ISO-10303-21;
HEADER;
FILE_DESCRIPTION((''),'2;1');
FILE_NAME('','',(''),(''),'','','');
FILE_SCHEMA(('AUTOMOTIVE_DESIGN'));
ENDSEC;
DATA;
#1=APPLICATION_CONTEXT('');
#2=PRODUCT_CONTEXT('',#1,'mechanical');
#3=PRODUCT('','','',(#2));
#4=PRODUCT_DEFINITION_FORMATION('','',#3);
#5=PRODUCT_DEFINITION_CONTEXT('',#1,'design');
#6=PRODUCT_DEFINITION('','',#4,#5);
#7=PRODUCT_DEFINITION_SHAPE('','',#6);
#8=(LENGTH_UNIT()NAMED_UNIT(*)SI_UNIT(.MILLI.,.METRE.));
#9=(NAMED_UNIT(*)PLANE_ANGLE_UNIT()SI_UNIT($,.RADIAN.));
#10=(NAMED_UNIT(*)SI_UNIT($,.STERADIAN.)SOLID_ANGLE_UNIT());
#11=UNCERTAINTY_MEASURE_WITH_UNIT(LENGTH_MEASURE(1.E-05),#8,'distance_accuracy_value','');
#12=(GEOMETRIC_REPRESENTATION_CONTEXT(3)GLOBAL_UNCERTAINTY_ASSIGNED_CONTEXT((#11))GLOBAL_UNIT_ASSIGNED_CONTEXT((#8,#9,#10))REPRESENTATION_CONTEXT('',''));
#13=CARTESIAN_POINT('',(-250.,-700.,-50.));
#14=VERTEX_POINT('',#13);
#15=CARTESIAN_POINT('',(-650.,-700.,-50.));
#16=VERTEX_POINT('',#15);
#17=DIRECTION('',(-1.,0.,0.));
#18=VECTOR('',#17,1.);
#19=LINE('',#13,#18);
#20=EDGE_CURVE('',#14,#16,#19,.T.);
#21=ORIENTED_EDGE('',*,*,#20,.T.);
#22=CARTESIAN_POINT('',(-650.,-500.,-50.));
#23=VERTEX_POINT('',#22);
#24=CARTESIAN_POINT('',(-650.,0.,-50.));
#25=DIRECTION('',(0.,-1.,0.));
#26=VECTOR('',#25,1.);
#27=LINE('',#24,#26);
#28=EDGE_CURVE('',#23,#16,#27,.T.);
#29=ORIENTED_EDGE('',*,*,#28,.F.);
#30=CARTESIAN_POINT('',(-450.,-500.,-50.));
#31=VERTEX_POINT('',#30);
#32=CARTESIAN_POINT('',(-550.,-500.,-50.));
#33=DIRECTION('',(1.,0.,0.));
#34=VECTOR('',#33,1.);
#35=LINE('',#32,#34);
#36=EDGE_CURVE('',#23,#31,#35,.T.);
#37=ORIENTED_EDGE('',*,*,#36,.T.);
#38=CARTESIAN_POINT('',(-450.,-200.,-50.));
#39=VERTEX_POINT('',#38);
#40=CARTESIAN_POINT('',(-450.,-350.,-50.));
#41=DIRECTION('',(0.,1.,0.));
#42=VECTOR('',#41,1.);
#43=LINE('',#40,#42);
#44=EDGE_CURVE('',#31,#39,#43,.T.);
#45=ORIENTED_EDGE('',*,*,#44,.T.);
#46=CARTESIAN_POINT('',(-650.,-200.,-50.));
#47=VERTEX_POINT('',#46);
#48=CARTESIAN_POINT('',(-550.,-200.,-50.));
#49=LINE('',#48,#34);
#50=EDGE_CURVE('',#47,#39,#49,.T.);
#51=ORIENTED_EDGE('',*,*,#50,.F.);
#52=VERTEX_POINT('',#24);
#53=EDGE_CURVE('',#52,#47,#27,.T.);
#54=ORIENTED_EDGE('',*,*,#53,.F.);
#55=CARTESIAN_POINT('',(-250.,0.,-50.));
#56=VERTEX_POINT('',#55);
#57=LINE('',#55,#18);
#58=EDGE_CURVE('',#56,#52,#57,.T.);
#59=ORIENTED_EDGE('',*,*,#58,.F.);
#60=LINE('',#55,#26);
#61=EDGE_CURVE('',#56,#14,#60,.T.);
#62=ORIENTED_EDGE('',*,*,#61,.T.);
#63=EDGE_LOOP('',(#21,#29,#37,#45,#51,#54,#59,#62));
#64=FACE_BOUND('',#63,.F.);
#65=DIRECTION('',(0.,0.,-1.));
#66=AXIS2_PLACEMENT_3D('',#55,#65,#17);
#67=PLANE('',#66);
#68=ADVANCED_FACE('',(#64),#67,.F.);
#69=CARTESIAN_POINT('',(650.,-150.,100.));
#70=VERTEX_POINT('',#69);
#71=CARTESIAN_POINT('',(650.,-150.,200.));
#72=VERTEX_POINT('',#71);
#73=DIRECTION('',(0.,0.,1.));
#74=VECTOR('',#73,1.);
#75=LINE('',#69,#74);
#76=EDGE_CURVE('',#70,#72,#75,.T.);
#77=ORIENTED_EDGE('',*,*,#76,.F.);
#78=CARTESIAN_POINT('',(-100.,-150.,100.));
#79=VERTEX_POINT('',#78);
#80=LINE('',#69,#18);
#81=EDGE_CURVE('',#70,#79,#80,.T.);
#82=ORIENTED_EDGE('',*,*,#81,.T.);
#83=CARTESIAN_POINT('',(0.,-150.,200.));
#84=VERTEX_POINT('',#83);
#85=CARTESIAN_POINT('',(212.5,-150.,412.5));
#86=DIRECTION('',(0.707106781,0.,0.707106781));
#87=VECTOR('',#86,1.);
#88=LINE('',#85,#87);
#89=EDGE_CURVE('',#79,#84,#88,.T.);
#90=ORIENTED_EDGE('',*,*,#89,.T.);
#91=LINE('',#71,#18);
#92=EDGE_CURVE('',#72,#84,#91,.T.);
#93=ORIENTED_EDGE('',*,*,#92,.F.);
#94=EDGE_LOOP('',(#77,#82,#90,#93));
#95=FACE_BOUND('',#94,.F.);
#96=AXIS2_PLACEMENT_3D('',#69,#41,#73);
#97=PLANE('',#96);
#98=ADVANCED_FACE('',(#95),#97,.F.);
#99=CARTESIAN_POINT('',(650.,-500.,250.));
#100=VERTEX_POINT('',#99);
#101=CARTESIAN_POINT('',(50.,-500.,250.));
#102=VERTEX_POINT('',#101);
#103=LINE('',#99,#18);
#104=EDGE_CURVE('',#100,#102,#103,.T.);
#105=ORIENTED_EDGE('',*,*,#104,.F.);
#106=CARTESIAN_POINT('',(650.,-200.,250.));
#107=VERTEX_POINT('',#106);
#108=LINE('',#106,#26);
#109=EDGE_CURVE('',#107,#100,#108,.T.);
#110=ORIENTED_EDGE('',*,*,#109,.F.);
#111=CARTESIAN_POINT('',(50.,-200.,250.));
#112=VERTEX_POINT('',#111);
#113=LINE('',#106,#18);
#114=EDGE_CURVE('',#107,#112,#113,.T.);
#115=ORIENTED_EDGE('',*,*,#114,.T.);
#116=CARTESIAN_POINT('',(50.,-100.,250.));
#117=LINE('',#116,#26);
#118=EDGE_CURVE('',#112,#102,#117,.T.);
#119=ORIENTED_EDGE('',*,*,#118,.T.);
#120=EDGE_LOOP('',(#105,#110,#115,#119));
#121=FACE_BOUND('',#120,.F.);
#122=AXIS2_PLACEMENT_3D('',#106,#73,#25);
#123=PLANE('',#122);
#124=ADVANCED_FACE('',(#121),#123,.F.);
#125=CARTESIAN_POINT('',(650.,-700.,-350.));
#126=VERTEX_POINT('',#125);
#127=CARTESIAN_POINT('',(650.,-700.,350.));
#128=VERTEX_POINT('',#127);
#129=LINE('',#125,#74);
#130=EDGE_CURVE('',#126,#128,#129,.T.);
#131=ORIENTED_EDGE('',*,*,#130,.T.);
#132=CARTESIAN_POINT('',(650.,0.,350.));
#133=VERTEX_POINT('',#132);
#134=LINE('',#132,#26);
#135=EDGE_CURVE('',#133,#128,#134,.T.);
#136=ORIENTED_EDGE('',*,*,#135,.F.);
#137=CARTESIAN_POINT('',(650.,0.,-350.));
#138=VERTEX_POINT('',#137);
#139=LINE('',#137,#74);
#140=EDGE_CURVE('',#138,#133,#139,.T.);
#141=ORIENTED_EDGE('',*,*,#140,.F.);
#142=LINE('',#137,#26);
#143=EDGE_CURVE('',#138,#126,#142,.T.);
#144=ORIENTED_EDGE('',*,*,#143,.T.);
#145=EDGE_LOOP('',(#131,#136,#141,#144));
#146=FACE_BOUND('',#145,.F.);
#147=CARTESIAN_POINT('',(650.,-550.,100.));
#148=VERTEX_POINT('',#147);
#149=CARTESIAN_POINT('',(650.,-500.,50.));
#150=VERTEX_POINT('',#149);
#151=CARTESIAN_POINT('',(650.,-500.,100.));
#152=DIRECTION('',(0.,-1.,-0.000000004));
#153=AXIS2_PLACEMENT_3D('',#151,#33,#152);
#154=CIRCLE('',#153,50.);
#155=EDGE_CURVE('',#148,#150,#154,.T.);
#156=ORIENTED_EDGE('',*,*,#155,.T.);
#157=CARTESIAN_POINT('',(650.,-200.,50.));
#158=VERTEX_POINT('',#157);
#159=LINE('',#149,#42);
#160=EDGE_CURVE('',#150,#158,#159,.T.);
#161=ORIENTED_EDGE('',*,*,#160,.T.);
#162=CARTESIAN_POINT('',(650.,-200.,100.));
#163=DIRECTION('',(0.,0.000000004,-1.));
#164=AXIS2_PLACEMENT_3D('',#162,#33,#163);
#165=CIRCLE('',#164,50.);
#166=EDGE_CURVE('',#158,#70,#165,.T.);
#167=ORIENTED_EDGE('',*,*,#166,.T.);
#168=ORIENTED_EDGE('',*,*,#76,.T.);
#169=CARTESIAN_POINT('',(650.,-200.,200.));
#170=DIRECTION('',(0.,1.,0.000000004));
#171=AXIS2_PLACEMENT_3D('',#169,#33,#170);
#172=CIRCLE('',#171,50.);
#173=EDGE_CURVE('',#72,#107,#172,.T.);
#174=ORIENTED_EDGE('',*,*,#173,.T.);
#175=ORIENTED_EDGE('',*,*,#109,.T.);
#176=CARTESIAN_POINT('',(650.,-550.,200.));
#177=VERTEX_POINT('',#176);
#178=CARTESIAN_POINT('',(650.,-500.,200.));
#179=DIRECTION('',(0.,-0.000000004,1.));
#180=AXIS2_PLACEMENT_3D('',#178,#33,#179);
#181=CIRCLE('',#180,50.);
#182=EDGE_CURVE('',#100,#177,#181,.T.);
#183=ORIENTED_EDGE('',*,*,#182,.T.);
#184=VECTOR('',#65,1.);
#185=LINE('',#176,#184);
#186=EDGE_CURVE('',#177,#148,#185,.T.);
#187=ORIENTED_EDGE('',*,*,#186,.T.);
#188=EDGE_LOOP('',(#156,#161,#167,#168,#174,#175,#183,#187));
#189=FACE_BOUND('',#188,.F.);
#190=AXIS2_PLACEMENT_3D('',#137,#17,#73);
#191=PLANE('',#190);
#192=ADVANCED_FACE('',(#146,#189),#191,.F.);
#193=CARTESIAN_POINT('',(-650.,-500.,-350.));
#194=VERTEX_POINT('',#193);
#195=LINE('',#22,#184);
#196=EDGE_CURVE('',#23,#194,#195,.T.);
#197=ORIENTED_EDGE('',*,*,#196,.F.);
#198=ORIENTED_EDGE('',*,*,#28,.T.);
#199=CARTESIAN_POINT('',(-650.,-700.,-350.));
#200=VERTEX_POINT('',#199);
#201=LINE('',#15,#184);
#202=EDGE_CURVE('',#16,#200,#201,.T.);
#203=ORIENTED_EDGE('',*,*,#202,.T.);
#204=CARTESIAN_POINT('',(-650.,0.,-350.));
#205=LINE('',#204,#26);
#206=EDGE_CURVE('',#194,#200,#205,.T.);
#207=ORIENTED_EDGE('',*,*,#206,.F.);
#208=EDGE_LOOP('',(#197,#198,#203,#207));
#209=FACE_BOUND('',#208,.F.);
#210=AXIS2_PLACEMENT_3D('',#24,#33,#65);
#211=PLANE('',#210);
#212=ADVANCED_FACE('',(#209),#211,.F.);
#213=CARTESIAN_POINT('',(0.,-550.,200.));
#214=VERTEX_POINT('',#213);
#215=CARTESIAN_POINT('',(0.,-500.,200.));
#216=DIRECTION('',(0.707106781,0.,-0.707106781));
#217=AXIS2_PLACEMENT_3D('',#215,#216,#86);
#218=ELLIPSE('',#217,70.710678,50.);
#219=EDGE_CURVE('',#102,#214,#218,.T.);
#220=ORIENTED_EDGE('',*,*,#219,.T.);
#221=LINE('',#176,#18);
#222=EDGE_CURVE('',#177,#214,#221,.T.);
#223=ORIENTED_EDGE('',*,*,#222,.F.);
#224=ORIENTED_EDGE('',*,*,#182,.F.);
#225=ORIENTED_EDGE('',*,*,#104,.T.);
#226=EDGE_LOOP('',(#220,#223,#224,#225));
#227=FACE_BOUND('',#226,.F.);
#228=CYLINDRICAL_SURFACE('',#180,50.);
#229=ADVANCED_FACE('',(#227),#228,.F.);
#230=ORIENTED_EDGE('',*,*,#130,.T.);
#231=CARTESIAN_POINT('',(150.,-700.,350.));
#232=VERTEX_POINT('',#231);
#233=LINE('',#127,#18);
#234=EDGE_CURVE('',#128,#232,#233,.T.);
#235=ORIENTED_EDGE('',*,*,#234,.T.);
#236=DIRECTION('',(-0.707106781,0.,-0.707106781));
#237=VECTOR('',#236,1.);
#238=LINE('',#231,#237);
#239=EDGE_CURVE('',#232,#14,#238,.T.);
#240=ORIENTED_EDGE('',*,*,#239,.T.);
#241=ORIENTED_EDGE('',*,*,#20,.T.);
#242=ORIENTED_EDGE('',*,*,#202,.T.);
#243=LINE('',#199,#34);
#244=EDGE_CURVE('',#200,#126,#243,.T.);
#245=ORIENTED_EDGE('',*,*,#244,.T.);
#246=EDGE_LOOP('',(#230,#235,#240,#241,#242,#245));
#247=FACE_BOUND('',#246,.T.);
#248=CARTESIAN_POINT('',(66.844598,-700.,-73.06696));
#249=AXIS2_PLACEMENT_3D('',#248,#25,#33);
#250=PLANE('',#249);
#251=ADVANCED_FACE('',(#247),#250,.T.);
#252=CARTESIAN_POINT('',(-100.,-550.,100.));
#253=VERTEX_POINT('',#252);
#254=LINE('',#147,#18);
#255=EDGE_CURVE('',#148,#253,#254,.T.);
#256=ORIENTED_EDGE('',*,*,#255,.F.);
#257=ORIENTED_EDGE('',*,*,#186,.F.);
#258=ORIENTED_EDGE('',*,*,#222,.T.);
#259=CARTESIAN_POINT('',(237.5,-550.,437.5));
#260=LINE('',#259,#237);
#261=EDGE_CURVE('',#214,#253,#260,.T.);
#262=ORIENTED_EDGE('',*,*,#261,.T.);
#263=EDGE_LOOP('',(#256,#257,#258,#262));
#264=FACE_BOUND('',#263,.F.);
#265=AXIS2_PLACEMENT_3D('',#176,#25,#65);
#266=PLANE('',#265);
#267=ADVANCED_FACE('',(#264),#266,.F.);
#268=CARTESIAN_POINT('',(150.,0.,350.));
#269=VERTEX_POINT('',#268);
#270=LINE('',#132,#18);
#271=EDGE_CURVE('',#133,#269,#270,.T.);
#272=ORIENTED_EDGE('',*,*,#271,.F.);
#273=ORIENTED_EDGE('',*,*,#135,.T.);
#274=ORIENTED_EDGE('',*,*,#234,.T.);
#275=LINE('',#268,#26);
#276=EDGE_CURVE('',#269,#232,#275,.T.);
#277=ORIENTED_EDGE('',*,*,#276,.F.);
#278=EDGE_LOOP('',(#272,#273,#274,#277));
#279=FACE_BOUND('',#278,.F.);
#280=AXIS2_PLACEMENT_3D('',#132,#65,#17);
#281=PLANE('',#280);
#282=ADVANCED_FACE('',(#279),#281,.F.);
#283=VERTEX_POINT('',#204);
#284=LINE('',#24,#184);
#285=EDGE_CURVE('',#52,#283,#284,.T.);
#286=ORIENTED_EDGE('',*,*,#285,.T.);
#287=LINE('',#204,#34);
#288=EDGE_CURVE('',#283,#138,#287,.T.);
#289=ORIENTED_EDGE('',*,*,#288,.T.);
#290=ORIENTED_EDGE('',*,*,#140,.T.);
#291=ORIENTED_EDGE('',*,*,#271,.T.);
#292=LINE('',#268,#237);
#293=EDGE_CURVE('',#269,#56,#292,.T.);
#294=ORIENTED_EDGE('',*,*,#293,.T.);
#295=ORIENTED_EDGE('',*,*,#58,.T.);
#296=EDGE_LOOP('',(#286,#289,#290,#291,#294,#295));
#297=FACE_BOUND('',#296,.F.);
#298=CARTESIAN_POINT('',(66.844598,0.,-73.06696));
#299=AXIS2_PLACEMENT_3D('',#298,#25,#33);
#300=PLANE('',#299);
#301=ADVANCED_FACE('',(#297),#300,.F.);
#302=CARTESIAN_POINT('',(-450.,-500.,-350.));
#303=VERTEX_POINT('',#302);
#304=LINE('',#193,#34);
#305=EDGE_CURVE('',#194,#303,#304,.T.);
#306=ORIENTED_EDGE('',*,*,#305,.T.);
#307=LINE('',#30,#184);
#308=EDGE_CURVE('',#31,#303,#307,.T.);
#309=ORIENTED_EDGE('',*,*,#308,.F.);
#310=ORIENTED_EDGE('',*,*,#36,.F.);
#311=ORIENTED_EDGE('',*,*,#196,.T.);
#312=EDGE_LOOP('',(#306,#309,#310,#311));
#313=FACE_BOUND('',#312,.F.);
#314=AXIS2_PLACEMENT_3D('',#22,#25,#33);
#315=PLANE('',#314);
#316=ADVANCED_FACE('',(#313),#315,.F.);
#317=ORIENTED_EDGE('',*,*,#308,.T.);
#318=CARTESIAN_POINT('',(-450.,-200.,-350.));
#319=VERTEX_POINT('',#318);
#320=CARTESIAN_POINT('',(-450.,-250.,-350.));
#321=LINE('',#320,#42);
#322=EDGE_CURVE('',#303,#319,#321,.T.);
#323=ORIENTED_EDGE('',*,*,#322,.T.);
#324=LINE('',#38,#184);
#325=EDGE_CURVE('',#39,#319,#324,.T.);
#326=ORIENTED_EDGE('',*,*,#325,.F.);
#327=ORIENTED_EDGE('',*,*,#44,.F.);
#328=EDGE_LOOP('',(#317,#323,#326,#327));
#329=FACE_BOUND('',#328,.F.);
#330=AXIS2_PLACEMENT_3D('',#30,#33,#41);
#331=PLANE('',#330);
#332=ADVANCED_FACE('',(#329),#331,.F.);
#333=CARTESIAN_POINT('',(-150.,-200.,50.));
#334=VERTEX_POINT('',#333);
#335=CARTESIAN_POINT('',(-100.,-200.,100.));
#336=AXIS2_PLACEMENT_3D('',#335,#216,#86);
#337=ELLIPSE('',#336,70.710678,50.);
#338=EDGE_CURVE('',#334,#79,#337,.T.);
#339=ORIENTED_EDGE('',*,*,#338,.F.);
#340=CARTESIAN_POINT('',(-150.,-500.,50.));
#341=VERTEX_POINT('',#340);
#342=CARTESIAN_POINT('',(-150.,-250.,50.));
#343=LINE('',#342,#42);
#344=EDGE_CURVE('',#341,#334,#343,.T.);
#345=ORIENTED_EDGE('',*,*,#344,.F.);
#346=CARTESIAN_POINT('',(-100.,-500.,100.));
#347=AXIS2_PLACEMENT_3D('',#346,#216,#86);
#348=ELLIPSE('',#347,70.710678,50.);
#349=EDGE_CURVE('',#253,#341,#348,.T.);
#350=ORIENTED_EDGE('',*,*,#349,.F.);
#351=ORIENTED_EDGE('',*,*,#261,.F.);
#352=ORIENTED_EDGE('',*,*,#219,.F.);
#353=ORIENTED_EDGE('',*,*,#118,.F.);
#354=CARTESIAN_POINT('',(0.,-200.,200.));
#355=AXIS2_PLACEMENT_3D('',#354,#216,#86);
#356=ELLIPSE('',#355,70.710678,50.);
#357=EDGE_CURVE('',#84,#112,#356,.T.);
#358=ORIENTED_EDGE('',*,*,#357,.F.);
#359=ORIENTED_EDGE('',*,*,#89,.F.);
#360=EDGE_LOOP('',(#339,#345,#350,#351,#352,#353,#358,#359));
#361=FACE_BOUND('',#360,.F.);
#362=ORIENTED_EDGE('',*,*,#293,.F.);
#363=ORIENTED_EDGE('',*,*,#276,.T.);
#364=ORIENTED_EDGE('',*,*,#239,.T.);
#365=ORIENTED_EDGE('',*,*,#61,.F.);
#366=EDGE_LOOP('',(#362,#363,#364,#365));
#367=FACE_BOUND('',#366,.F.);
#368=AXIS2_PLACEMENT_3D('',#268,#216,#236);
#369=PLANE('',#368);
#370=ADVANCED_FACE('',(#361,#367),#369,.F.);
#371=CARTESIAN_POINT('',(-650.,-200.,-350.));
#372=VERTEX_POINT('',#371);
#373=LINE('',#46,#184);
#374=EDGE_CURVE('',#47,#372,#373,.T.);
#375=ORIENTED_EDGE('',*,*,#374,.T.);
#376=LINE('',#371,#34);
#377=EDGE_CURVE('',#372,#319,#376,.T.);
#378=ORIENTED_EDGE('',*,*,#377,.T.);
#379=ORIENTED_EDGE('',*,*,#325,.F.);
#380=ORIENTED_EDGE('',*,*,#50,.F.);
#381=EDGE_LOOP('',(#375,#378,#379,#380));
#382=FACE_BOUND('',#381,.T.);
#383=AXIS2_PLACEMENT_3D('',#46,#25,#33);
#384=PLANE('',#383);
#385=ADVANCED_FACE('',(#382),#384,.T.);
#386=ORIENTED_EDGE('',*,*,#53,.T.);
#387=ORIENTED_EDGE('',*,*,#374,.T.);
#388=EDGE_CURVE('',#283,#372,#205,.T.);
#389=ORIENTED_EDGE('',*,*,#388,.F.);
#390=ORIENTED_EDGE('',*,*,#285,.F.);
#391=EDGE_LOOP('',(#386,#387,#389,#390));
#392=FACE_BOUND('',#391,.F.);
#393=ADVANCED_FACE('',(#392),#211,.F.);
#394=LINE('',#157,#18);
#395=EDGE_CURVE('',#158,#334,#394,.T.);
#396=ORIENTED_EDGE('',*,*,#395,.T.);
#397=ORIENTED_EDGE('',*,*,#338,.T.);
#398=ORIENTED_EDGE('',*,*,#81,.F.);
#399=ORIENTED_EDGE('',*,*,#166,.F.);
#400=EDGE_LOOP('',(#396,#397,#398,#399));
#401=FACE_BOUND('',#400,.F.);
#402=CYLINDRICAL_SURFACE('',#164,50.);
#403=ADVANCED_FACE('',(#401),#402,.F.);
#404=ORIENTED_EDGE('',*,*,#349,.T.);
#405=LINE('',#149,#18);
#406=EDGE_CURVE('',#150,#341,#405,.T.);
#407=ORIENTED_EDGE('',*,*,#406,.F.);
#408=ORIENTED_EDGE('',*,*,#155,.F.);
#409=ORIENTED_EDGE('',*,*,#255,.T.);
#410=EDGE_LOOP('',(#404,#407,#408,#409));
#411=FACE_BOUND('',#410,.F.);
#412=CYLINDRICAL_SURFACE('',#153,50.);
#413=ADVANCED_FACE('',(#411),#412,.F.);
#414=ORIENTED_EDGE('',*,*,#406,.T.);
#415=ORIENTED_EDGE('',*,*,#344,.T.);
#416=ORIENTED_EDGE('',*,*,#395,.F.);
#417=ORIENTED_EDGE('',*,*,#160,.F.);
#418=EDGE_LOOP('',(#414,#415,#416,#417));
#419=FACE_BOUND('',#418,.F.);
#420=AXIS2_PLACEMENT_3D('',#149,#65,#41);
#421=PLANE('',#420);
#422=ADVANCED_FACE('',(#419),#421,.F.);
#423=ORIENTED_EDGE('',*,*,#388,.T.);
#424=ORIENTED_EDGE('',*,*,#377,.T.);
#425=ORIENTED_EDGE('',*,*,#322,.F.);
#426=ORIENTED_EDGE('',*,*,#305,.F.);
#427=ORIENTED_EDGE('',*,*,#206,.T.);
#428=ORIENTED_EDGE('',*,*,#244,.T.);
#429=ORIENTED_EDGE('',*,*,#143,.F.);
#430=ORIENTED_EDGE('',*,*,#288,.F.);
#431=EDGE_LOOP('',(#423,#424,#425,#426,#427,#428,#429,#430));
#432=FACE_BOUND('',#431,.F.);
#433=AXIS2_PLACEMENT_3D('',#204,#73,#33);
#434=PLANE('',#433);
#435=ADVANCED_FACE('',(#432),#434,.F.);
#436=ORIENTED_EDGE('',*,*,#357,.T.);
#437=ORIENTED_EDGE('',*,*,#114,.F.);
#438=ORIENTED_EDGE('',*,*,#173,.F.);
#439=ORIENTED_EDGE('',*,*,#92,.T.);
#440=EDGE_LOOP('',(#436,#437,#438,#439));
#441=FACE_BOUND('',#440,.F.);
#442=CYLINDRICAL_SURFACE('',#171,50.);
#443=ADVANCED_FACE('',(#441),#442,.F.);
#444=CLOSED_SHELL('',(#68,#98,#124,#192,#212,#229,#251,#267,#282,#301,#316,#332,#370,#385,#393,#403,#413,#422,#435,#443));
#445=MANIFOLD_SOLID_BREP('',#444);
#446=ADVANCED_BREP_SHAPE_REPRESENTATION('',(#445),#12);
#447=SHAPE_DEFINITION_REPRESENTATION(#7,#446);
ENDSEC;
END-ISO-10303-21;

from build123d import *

# Parameters (mm, degrees)
F1_DEPTH = 700
F3_DEPTH = 1300.001
F4_W     = 200
F4_H     = 300
F5_DEPTH = 300.001


with BuildPart() as f1:
    # F0 (on Front) → F1 (new body)
    with BuildSketch(Plane.XZ):
        Polygon((650, 350), (150, 350), (-250, -50), (-650, -50), (-650, -350), (650, -350), align=None)
    extrude(amount=F1_DEPTH)

    # F2 (on face) → F3 (cut, through all)
    with BuildSketch(Plane.YZ.offset(650)):
        with BuildLine():
            Line((-200, 250), (-500, 250))
            ThreePointArc((-500, 250), (-535.355339, 235.355339), (-550, 200))
            Line((-550, 200), (-550, 100))
            ThreePointArc((-550, 100), (-535.355339, 64.644661), (-500, 50))
            Line((-500, 50), (-200, 50))
            ThreePointArc((-200, 50), (-164.644661, 64.644661), (-150, 100))
            Line((-150, 100), (-150, 200))
            ThreePointArc((-150, 200), (-164.644661, 235.355339), (-200, 250))
        make_face()
    extrude(amount=-F3_DEPTH, mode=Mode.SUBTRACT)

    # F4 (on face) → F5 (cut, through all)
    with BuildSketch(Plane.XY.offset(-50)):
        with Locations((-550, -350)):
            Rectangle(F4_W, F4_H)
    extrude(amount=-F5_DEPTH, mode=Mode.SUBTRACT)


solid = f1.part
